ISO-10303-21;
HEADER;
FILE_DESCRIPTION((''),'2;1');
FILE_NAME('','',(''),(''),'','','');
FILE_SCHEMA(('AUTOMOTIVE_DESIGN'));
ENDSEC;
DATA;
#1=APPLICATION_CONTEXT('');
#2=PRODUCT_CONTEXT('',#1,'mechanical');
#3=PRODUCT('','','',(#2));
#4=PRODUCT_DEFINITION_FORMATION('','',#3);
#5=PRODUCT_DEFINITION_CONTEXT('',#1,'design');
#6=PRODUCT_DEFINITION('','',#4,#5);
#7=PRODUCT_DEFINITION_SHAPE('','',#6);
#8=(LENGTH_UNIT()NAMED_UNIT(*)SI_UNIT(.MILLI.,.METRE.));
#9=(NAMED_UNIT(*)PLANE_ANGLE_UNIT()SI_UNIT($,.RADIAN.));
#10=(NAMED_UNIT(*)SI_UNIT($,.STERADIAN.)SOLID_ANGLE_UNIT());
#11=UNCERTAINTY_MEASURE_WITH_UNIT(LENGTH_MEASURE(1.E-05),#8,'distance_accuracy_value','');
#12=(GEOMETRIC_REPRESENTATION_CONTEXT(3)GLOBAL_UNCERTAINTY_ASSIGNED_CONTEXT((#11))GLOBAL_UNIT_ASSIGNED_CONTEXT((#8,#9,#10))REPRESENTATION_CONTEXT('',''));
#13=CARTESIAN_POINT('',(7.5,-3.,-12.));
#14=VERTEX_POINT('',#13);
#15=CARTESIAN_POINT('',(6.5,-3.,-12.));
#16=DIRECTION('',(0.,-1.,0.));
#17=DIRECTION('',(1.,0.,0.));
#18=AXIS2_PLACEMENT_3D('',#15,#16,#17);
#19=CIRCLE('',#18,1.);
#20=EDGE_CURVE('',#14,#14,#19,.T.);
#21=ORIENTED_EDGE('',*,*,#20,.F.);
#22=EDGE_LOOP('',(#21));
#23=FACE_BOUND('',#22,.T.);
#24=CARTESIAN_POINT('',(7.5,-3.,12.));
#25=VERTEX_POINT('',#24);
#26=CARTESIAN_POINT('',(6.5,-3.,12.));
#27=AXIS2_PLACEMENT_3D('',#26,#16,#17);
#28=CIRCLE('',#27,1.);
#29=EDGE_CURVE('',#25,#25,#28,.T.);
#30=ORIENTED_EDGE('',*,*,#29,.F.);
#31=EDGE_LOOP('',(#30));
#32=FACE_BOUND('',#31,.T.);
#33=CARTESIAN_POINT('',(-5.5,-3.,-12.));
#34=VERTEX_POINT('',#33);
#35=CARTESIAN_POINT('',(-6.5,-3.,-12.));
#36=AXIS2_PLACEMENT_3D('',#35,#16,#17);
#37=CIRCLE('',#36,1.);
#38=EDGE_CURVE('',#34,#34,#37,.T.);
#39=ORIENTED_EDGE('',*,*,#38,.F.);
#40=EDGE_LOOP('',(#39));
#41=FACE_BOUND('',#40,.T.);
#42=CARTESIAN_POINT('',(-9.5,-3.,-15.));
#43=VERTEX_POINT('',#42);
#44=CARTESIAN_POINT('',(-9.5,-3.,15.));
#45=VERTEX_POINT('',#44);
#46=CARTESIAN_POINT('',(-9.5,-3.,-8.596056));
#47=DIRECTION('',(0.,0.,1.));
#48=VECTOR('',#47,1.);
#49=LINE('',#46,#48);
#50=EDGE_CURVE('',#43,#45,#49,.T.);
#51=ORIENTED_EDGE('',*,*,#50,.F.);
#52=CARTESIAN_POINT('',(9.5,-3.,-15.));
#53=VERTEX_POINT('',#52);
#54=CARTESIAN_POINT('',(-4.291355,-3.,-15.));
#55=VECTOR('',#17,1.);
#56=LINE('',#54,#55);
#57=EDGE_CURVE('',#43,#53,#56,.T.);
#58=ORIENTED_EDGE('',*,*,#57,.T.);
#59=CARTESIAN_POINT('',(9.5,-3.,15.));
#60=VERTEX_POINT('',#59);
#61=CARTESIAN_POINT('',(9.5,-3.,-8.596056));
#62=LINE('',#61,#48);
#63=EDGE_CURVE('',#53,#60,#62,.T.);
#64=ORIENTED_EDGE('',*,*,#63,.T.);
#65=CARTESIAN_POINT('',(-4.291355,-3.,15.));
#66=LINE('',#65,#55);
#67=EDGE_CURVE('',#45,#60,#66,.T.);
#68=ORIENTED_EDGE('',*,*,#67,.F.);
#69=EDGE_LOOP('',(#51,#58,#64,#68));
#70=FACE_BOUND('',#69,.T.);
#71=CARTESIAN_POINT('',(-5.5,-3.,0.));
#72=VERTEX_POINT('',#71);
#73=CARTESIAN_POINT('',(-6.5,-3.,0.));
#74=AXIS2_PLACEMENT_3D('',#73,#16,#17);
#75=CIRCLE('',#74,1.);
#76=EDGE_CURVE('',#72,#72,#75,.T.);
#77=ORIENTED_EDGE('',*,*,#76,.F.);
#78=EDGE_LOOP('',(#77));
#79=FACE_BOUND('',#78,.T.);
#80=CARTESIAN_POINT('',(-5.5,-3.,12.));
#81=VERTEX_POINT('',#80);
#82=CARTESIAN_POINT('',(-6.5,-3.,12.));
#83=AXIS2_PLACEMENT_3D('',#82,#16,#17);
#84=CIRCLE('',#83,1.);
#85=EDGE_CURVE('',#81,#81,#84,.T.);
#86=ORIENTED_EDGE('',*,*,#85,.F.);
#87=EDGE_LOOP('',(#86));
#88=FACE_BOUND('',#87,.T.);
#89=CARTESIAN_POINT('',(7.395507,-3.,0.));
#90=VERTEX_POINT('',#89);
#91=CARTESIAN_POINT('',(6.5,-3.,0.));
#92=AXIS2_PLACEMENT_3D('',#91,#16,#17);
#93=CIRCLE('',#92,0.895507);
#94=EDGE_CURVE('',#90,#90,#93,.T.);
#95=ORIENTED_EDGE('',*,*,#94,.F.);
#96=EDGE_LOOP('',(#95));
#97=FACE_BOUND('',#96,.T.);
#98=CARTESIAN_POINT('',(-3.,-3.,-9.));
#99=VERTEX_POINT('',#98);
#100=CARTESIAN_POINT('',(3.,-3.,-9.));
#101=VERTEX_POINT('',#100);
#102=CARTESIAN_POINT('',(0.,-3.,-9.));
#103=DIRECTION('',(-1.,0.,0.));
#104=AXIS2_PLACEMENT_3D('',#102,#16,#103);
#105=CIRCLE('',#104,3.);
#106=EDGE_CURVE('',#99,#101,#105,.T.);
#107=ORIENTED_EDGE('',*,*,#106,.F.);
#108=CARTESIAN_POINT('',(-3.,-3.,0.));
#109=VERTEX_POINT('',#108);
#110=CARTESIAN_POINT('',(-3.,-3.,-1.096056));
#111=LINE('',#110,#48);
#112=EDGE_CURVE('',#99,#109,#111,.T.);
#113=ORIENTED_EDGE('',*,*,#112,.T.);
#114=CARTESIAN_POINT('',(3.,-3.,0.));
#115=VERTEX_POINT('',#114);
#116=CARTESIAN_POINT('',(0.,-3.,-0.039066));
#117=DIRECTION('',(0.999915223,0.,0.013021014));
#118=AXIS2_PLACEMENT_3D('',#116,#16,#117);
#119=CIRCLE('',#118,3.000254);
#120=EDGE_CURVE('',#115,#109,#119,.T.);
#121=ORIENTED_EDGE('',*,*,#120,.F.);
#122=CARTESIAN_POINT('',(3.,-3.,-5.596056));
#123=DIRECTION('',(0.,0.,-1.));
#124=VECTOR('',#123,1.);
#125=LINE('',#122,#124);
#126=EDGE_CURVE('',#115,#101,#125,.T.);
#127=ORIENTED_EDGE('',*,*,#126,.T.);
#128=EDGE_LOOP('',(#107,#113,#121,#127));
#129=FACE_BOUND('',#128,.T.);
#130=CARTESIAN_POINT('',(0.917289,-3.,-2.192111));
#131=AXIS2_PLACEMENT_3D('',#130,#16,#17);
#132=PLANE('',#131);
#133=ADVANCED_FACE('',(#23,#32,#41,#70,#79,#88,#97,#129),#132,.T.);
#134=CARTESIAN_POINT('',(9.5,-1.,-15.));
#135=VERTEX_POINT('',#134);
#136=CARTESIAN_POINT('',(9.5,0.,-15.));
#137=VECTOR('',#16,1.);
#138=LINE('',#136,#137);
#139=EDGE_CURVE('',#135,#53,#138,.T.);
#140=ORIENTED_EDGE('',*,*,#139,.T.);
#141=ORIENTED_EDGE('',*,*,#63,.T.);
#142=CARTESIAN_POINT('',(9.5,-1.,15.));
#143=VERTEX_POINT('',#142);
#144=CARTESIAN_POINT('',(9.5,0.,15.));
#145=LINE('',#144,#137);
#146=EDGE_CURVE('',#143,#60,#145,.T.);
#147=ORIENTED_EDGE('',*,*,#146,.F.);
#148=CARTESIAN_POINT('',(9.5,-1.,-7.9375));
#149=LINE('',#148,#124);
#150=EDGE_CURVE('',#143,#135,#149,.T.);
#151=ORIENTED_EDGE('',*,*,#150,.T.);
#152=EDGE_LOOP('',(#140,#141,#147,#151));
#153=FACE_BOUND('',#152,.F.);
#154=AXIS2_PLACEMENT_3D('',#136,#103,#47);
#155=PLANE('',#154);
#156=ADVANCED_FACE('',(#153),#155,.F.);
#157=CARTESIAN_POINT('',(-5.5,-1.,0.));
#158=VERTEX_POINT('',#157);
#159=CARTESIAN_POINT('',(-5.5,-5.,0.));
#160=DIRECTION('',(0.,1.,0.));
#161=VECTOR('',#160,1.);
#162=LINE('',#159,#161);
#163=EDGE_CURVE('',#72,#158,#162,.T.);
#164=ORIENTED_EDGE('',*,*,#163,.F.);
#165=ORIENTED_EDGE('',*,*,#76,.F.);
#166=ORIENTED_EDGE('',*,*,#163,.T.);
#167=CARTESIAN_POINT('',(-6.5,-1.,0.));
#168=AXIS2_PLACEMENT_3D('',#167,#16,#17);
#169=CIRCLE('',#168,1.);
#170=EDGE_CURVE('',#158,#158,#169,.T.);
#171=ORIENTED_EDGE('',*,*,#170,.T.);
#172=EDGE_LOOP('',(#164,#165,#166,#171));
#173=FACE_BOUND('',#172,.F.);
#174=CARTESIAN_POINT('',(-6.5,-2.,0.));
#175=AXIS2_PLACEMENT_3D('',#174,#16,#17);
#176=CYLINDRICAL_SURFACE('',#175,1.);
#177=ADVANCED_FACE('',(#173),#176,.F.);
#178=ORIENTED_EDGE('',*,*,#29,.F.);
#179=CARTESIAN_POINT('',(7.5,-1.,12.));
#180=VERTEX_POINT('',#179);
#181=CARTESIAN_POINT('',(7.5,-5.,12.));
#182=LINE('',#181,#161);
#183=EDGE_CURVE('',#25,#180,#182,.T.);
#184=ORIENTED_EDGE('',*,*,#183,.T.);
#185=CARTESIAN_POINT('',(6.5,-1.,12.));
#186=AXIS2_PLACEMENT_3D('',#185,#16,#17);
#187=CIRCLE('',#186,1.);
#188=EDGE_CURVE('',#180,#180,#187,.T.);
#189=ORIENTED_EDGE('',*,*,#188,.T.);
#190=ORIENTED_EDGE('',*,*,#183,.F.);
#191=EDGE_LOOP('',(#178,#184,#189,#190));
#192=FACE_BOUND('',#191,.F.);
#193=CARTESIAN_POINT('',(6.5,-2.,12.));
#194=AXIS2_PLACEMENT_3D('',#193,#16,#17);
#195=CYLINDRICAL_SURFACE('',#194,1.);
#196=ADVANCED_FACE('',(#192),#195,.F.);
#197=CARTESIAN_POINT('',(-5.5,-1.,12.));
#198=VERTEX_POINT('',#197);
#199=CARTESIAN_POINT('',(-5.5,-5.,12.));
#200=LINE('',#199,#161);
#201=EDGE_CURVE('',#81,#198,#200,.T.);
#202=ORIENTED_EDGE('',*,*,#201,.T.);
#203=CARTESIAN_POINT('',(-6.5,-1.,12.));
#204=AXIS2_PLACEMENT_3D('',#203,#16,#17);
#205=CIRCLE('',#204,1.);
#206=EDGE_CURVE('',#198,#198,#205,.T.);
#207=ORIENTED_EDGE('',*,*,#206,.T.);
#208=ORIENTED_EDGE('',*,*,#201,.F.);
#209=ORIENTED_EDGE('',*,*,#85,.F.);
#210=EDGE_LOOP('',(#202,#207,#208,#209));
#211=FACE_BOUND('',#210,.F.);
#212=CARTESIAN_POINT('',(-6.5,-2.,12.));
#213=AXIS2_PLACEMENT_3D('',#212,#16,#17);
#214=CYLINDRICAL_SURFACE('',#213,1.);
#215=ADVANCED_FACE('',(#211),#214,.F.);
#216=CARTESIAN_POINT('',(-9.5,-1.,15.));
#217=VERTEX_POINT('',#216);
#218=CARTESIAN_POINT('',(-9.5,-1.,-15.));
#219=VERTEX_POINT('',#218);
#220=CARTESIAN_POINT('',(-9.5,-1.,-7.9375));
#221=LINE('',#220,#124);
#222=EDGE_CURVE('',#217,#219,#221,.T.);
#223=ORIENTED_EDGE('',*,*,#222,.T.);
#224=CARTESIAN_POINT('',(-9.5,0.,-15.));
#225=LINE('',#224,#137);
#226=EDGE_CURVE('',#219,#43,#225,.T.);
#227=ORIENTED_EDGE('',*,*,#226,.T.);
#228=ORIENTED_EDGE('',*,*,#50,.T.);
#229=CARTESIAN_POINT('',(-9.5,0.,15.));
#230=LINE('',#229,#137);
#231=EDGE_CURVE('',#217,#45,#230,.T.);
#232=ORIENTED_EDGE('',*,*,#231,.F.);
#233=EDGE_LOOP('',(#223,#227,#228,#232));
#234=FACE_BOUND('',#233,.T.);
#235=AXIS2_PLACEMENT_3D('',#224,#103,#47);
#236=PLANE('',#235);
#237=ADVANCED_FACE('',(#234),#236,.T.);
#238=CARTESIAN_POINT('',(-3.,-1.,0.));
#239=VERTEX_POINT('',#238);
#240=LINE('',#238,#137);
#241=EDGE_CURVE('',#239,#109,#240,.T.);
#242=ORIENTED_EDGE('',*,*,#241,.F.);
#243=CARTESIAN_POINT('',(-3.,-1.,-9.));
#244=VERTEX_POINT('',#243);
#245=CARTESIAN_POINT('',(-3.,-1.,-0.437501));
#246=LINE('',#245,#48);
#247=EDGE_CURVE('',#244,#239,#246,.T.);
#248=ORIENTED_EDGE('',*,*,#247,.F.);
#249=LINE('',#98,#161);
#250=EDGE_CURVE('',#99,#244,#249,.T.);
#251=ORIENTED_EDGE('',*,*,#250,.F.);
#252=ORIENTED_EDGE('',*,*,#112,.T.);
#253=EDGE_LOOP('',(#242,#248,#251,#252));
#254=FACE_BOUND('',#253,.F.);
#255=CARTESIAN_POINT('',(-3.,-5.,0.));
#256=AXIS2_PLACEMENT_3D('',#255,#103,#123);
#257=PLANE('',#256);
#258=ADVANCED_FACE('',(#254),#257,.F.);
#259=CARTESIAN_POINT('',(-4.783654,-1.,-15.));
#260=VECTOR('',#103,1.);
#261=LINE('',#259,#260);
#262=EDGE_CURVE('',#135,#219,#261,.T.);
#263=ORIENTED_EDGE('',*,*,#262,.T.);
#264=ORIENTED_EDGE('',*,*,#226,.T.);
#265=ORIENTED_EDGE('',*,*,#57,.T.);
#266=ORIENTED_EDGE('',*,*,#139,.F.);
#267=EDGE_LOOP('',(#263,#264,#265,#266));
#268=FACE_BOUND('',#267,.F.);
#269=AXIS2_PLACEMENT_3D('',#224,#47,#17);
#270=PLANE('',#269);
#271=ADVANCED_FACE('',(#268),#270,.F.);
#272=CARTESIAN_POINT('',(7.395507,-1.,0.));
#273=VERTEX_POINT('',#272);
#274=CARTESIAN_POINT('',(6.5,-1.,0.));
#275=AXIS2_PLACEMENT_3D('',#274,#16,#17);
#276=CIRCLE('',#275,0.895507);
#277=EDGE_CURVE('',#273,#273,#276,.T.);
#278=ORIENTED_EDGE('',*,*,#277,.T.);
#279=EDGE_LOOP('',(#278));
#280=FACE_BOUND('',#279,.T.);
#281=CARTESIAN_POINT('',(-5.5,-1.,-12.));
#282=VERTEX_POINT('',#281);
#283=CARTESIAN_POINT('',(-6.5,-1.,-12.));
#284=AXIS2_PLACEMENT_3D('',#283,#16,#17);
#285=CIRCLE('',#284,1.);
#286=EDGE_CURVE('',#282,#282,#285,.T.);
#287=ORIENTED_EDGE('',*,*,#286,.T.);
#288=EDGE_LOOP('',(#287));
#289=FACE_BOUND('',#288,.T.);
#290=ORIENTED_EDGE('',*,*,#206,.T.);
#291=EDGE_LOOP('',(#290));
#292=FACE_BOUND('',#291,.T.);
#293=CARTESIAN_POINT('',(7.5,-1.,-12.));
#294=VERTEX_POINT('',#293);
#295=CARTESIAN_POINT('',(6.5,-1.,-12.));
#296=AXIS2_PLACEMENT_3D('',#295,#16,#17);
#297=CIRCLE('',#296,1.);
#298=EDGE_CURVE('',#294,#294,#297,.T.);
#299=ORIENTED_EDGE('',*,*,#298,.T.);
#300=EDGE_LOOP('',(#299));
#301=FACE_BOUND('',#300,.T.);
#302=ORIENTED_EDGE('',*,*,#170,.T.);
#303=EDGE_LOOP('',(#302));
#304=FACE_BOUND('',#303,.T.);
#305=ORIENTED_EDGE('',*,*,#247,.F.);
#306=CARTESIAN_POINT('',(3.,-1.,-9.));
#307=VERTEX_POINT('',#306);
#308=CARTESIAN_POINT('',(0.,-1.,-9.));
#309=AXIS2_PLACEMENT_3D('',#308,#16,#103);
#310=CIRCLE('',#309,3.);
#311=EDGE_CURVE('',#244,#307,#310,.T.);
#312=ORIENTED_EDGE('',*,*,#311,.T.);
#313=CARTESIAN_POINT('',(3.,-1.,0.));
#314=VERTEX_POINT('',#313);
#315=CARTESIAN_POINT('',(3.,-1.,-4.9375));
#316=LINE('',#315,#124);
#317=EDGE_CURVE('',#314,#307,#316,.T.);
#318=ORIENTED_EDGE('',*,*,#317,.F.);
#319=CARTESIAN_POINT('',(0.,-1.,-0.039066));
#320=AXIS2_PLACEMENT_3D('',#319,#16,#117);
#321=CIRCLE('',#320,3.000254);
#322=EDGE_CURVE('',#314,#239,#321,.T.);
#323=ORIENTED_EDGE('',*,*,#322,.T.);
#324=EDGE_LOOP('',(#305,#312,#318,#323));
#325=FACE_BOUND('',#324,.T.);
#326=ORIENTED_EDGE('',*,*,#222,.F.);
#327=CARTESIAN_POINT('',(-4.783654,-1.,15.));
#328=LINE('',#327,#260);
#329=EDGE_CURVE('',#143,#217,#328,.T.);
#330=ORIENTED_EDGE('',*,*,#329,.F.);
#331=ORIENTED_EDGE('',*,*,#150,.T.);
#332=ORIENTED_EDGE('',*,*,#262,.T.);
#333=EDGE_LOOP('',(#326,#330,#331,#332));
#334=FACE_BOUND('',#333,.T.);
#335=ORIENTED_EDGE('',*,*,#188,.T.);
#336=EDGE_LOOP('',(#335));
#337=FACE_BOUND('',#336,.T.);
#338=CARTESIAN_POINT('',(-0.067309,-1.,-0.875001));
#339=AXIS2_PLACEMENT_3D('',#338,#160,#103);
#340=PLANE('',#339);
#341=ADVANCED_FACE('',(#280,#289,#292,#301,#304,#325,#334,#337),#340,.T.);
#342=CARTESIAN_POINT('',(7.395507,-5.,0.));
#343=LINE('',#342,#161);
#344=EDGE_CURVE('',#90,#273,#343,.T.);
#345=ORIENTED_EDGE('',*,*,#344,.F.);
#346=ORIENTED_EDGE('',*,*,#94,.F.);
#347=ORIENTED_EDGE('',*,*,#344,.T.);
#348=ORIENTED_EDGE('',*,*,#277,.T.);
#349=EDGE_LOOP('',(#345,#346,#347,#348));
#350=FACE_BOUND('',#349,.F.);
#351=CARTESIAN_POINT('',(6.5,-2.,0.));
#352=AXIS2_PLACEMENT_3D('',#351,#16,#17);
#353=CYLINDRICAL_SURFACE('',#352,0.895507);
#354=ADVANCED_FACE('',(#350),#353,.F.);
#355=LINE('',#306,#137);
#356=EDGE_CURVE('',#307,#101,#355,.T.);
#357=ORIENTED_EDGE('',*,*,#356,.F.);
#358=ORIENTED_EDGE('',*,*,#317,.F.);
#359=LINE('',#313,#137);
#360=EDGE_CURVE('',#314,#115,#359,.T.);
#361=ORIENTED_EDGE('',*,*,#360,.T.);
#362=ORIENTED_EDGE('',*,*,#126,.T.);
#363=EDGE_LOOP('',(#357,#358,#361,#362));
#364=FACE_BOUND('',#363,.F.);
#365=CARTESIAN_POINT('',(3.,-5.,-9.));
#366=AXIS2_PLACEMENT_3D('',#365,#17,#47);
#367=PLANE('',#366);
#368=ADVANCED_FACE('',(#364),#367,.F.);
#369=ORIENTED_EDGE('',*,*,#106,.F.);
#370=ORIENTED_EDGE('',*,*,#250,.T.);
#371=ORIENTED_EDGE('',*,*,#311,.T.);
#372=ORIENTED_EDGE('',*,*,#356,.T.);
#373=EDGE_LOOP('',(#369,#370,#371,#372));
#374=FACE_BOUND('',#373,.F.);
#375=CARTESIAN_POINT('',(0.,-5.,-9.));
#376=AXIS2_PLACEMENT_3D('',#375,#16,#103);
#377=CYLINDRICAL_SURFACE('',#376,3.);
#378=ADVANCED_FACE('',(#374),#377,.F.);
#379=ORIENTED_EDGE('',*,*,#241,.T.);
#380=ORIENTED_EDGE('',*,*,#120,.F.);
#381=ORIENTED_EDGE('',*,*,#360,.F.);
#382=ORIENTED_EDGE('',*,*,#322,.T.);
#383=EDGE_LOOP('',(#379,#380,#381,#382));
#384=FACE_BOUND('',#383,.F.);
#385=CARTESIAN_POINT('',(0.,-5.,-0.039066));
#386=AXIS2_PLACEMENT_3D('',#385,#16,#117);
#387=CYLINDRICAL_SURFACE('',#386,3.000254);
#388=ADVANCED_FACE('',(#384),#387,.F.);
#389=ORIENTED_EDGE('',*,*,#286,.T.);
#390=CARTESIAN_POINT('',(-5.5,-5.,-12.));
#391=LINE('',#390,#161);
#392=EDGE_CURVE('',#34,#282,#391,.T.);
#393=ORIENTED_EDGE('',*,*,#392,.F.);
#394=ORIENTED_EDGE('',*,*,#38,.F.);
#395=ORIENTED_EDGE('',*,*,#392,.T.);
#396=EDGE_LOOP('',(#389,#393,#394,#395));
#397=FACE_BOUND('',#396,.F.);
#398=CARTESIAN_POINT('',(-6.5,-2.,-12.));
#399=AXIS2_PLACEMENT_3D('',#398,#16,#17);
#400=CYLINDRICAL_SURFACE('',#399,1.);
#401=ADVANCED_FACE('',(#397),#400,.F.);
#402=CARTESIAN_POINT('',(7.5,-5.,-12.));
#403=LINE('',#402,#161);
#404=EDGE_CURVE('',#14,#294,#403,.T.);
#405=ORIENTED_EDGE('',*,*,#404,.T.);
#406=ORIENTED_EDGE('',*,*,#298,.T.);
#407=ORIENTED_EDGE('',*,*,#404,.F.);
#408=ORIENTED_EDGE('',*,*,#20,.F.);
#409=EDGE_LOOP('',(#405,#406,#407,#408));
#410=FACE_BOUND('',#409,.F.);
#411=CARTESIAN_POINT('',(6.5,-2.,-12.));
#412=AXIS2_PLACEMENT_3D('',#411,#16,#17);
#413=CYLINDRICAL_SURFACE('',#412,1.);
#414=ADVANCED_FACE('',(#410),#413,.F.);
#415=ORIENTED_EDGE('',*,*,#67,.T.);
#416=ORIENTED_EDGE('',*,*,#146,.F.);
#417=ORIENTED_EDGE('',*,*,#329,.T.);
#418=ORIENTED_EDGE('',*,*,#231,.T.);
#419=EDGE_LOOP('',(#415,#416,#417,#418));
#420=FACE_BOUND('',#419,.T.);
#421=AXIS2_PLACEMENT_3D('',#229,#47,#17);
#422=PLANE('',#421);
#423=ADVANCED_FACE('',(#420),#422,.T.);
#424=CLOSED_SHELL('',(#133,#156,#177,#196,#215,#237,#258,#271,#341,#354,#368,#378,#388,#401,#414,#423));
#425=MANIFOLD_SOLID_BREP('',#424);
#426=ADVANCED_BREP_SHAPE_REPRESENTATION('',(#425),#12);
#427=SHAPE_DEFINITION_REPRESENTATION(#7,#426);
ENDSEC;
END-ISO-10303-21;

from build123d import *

# Parameters (mm, degrees)
F0_W      = 19
F0_H      = 30
F1_DEPTH  = 5
F3_DEPTH  = 3
F4_R      = 1
F4_R_2    = 0.895507
F5_DEPTH  = 25
F6_DEPTH  = 25
F7_W      = 43.592543
F7_H      = 48.578868
F8_DEPTH  = 2
F9_W      = 52.903849
F9_H      = 60.980772
F10_DEPTH = 1
F11_DEPTH = 25


with BuildPart() as f1:
    # F0 (on Front) → F1 (new body)
    with BuildSketch(Plane.XZ):
        Rectangle(F0_W, F0_H)
    extrude(amount=F1_DEPTH)

    # F2 (on face) → F3 (cut)
    with BuildSketch(Plane.XZ.offset(5)):
        with BuildLine():
            Line((-3, 0), (-3, -9))
            ThreePointArc((-3, -9), (0, -12), (3, -9))
            Line((3, -9), (3, 0))
            ThreePointArc((3, 0), (0, 2.961188), (-3, 0))
        make_face()
    extrude(amount=-F3_DEPTH, mode=Mode.SUBTRACT)

    # F4 (on face) → F5 (cut)
    with BuildSketch(Plane.XZ.offset(2)):
        with Locations((-6.5, 12)):
            Circle(F4_R)
        with Locations((6.5, 12)):
            Circle(F4_R)
        with Locations((6.5, -12)):
            Circle(F4_R)
        with Locations((-6.5, -12)):
            Circle(F4_R)
        with Locations((-6.5, 0)):
            Circle(F4_R)
        with Locations((6.5, 0)):
            Circle(F4_R_2)
    extrude(amount=-F5_DEPTH, mode=Mode.SUBTRACT)

    # F4 (on face) → F6 (cut)
    with BuildSketch(Plane.XZ.offset(2)):
        with Locations((-6.5, 12)):
            Circle(F4_R)
        with Locations((6.5, 12)):
            Circle(F4_R)
        with Locations((6.5, -12)):
            Circle(F4_R)
        with Locations((-6.5, -12)):
            Circle(F4_R)
        with Locations((-6.5, 0)):
            Circle(F4_R)
        with Locations((6.5, 0)):
            Circle(F4_R_2)
    extrude(amount=F6_DEPTH, mode=Mode.SUBTRACT)

    # F7 (on face) → F8 (cut)
    with BuildSketch(Plane.XZ.offset(5)):
        with Locations((0.917289, -2.192111)):
            Rectangle(F7_W, F7_H)
    extrude(amount=-F8_DEPTH, mode=Mode.SUBTRACT)

    # F9 (on face) → F10 (cut)
    with BuildSketch(Plane(origin=(0, 0, 0), x_dir=(-1, 0, 0), z_dir=(0, 1, 0))):
        with Locations((0.067309, -0.875001)):
            Rectangle(F9_W, F9_H)
    extrude(amount=-F10_DEPTH, mode=Mode.SUBTRACT)

    # F2 (on face) → F11 (cut)
    with BuildSketch(Plane.XZ.offset(5)):
        with BuildLine():
            Line((-3, 0), (-3, -9))
            ThreePointArc((-3, -9), (0, -12), (3, -9))
            Line((3, -9), (3, 0))
            ThreePointArc((3, 0), (0, 2.961188), (-3, 0))
        make_face()
    extrude(amount=-F11_DEPTH, mode=Mode.SUBTRACT)


solid = f1.part
